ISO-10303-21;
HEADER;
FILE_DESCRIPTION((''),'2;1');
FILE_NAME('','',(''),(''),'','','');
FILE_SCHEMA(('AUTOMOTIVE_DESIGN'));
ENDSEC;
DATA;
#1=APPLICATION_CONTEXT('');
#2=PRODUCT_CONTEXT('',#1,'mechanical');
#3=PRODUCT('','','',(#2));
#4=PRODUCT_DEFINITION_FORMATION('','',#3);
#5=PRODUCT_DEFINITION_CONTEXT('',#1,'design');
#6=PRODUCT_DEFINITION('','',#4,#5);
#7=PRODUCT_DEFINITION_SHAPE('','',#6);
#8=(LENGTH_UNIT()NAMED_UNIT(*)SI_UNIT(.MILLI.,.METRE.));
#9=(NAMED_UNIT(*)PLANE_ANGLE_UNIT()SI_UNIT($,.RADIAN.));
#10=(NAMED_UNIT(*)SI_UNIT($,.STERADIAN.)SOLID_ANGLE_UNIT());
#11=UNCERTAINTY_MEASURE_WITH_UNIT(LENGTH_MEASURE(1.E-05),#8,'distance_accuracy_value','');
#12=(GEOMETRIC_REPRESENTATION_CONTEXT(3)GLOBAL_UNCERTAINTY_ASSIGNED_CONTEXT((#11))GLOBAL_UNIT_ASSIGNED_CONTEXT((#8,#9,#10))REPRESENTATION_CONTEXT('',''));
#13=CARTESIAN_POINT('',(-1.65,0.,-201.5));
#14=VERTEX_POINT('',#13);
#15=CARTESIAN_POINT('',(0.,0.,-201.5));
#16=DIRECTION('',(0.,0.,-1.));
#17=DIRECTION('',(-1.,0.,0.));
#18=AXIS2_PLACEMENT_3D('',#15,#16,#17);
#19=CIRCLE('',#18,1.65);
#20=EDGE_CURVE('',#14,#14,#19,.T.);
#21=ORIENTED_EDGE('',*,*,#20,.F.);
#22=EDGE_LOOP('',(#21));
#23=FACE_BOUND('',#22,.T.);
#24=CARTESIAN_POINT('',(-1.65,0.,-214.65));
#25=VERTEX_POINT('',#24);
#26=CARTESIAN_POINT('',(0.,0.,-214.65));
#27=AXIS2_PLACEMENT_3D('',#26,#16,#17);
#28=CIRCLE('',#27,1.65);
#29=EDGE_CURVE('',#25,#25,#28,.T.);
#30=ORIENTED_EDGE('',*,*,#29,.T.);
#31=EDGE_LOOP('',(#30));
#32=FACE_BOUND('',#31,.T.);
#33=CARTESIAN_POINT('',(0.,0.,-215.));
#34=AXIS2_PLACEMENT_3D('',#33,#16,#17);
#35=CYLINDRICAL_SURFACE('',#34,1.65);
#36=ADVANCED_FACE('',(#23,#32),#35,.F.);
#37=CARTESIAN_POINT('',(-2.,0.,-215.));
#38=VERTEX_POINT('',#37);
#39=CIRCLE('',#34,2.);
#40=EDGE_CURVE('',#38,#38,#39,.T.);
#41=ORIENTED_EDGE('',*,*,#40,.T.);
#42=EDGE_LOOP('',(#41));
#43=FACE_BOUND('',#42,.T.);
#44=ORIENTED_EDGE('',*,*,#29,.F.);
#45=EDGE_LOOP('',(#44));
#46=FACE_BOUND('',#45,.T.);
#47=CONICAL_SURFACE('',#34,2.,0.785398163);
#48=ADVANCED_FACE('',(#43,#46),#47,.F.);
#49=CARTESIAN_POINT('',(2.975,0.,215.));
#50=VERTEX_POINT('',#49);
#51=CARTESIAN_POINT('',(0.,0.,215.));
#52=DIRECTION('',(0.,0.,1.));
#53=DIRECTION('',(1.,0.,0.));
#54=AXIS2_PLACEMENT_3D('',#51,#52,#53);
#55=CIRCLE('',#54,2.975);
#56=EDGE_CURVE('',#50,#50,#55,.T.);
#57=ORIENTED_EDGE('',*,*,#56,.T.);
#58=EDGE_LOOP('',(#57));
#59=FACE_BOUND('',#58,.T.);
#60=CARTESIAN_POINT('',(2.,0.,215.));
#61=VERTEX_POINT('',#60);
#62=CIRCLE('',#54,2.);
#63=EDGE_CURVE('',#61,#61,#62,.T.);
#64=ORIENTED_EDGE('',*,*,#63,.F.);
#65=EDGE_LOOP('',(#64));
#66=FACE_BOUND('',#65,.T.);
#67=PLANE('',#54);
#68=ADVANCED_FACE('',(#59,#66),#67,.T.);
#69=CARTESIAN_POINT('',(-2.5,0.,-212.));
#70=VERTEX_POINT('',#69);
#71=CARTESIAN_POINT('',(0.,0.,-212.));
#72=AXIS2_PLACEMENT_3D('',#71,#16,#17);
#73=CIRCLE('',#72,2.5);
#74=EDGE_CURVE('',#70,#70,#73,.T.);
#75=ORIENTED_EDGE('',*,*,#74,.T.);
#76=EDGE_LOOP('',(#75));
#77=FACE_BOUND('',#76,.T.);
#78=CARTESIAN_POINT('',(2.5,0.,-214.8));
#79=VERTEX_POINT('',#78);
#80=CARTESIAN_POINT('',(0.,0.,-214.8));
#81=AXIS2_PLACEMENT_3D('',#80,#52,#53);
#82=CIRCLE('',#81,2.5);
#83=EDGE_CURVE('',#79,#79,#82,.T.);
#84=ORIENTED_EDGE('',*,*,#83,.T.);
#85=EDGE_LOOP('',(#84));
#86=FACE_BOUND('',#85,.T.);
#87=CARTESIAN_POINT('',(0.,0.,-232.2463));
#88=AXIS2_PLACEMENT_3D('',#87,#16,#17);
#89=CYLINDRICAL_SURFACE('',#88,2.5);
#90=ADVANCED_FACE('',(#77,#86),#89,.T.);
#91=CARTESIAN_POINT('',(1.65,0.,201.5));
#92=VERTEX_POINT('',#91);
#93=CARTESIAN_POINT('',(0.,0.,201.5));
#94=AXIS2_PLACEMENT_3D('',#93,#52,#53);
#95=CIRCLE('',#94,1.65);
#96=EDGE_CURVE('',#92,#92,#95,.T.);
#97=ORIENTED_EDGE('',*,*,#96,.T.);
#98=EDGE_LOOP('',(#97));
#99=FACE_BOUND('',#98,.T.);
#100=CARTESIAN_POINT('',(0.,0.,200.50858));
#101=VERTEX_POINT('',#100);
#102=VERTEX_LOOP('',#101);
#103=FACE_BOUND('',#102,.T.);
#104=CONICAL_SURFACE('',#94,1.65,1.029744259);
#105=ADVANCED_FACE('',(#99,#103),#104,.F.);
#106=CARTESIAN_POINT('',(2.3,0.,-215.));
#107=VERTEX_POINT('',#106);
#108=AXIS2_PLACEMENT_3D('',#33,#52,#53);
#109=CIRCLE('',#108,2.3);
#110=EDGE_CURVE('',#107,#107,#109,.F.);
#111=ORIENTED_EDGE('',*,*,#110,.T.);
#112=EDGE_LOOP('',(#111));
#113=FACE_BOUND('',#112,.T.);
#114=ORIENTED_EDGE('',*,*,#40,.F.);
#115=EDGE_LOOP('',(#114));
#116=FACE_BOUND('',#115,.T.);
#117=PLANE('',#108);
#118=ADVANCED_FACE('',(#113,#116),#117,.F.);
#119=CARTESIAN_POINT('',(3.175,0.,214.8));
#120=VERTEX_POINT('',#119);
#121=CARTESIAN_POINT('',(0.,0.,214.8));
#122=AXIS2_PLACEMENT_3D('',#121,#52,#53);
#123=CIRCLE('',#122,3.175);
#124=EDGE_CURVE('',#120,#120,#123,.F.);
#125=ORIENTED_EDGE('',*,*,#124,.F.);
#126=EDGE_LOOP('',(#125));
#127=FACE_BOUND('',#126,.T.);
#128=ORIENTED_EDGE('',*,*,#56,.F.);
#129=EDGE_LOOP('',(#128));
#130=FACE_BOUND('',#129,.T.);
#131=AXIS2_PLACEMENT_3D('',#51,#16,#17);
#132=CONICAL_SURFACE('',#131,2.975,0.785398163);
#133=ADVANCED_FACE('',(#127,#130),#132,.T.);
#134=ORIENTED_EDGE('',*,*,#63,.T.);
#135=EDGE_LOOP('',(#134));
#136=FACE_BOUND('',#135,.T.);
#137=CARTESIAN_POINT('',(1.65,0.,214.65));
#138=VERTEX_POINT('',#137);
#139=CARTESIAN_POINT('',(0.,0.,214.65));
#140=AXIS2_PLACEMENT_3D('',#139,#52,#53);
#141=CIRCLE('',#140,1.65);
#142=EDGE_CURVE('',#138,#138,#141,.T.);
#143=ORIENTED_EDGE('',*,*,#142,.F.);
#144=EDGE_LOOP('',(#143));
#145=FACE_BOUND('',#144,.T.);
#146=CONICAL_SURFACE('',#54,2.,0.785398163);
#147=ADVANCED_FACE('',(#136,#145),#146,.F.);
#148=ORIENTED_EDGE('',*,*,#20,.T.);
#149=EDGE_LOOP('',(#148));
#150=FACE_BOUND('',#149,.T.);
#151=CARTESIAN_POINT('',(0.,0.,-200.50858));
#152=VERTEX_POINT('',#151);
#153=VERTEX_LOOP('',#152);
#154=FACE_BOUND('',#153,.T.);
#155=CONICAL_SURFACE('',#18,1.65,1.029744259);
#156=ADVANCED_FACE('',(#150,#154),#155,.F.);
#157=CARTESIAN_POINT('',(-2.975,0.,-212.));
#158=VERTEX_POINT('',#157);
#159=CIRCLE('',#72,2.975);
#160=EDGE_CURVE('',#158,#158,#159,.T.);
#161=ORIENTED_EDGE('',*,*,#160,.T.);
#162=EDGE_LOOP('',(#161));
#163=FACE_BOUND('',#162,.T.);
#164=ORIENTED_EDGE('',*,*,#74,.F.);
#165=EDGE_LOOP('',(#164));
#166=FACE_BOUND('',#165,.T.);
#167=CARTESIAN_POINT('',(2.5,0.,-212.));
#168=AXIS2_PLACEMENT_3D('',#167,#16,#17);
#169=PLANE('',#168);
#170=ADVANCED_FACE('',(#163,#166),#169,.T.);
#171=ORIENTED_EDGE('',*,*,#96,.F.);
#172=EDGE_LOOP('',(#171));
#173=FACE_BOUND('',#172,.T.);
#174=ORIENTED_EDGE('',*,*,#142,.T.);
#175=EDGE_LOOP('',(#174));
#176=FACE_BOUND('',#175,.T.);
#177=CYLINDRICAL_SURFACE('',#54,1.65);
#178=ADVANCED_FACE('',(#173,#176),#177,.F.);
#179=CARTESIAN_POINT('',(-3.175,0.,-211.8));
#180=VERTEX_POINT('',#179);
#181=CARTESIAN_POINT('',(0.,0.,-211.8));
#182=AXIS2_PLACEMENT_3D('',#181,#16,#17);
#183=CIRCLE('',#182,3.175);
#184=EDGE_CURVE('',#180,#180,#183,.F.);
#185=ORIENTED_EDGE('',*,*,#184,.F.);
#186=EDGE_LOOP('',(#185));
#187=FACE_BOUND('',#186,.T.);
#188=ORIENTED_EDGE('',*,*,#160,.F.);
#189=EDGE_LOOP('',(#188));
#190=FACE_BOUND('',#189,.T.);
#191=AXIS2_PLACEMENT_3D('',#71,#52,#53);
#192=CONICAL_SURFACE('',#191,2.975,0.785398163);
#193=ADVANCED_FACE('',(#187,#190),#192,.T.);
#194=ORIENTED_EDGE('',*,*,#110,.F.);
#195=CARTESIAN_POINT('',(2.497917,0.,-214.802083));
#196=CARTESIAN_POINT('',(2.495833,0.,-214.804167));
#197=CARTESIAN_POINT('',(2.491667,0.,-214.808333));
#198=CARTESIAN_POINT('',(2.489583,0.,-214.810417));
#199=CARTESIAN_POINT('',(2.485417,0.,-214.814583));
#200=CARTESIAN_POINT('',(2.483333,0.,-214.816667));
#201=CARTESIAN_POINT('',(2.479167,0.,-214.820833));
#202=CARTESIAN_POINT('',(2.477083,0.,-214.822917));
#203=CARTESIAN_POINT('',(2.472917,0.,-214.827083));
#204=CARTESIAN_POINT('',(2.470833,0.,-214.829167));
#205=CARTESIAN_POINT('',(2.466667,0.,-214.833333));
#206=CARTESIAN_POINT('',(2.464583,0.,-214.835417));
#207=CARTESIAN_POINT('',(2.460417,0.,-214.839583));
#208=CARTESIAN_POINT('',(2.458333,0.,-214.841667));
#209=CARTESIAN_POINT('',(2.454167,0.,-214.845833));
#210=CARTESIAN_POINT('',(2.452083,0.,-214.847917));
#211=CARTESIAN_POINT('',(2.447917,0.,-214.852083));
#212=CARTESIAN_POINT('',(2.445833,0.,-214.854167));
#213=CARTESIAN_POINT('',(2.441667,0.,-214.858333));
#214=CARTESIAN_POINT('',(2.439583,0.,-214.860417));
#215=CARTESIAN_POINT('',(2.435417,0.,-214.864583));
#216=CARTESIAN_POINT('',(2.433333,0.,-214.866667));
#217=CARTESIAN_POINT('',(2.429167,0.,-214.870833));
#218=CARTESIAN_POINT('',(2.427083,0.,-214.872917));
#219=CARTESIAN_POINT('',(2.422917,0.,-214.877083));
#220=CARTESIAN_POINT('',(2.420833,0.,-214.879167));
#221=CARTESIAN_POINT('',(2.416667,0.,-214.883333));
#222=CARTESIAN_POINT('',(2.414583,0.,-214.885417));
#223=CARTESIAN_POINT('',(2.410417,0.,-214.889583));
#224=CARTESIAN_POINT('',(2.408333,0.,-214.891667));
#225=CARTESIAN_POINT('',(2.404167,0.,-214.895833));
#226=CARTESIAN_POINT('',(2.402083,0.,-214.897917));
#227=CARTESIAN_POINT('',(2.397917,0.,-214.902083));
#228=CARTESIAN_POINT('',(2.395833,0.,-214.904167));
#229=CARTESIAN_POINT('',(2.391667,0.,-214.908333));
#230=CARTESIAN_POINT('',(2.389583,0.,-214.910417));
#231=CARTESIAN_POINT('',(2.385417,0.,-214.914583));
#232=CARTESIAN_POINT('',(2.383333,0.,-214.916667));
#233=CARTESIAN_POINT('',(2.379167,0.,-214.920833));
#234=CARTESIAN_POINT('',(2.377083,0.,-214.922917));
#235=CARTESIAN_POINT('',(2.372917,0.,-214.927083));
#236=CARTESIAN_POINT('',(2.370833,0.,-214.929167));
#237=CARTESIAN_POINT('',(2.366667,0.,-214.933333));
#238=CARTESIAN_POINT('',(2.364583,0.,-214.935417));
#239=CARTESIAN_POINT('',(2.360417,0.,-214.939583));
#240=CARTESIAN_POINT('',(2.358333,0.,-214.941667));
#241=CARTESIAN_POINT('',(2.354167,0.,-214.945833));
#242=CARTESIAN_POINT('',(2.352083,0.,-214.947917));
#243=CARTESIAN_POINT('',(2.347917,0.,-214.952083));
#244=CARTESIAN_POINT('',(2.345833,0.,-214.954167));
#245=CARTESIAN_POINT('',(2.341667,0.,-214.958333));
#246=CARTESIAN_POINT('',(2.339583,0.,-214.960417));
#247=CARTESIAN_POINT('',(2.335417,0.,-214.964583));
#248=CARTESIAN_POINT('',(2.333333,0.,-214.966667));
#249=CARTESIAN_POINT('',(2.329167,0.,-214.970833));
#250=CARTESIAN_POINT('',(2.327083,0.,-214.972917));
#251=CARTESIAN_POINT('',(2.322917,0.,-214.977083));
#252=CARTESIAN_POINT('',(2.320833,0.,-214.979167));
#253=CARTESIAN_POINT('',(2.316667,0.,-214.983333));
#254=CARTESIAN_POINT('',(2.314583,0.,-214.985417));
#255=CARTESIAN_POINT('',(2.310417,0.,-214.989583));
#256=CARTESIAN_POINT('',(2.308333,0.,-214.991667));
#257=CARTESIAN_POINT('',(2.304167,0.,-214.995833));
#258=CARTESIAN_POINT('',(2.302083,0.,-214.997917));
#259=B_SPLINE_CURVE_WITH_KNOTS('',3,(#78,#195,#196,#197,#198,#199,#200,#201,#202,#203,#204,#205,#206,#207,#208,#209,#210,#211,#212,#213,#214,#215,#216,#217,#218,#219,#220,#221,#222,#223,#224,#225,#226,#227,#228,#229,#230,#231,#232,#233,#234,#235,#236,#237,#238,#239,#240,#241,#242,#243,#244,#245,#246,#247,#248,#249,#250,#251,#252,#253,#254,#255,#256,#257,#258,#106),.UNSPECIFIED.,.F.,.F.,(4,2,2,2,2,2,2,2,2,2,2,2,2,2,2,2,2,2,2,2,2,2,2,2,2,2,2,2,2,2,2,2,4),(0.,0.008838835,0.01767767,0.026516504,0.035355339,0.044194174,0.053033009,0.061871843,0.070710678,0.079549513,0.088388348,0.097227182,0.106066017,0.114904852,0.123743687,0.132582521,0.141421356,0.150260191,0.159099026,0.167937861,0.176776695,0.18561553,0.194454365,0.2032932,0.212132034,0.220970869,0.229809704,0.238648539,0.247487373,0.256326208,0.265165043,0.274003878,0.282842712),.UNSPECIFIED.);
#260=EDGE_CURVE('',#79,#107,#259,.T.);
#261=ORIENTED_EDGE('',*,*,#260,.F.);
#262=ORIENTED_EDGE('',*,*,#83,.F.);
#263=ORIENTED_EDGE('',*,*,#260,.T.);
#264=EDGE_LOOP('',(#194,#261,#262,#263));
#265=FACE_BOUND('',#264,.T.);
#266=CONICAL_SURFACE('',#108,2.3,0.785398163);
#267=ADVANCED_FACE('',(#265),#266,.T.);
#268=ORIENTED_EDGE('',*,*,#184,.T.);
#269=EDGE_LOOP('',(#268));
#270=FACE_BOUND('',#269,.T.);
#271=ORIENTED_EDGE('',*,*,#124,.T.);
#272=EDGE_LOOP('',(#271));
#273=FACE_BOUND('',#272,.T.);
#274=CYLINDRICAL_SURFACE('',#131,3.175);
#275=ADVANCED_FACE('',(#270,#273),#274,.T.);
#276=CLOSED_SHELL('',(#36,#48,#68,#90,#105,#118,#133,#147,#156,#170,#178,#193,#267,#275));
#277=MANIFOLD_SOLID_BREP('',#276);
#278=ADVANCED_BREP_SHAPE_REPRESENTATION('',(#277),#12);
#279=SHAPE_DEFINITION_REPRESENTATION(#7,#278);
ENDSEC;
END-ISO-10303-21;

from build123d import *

# Parameters (mm, degrees)
SKETCH1_R                       = 3.175
BOSS_EXTRUDE1_DEPTH             = 215
M4X0_7_TAPPED_HOLE1_D           = 3.3
M4X0_7_TAPPED_HOLE1_DEPTH       = 13.5
M4X0_7_TAPPED_HOLE1_CSINK_D     = 4
M4X0_7_TAPPED_HOLE1_CSINK_ANGLE = 90
M4X0_7_TAPPED_HOLE1_TIP         = 0.991420021
M4X0_7_TAPPED_HOLE2_D           = 3.3
M4X0_7_TAPPED_HOLE2_DEPTH       = 13.5
M4X0_7_TAPPED_HOLE2_CSINK_D     = 4
M4X0_7_TAPPED_HOLE2_CSINK_ANGLE = 90
M4X0_7_TAPPED_HOLE2_TIP         = 0.991420021
SKETCH7_W                       = 0.675
SKETCH7_H                       = 3
CHAMFER1_SIZE                   = 0.2


with BuildPart() as part:
    # Sketch1 → Boss-Extrude1 (new, symmetric)
    with BuildSketch(Plane.XY):
        Circle(SKETCH1_R)
    extrude(amount=BOSS_EXTRUDE1_DEPTH, both=True)

    # M4x0.7 Tapped Hole1
    with Locations(Plane(origin=(0, 0, -215), x_dir=(-1, 0, 0), z_dir=(0, 0, -1))):
        with Locations((0, 0)):
            CounterSinkHole(M4X0_7_TAPPED_HOLE1_D / 2, M4X0_7_TAPPED_HOLE1_CSINK_D / 2, depth=M4X0_7_TAPPED_HOLE1_DEPTH, counter_sink_angle=M4X0_7_TAPPED_HOLE1_CSINK_ANGLE)
            with Locations((0, 0, -(M4X0_7_TAPPED_HOLE1_DEPTH + M4X0_7_TAPPED_HOLE1_TIP / 2))):  # 118° drill point
                Cone(0, M4X0_7_TAPPED_HOLE1_D / 2, M4X0_7_TAPPED_HOLE1_TIP, mode=Mode.SUBTRACT)

    # M4x0.7 Tapped Hole2
    with Locations(Plane.XY.offset(215)):
        with Locations((0, 0)):
            CounterSinkHole(M4X0_7_TAPPED_HOLE2_D / 2, M4X0_7_TAPPED_HOLE2_CSINK_D / 2, depth=M4X0_7_TAPPED_HOLE2_DEPTH, counter_sink_angle=M4X0_7_TAPPED_HOLE2_CSINK_ANGLE)
            with Locations((0, 0, -(M4X0_7_TAPPED_HOLE2_DEPTH + M4X0_7_TAPPED_HOLE2_TIP / 2))):  # 118° drill point
                Cone(0, M4X0_7_TAPPED_HOLE2_D / 2, M4X0_7_TAPPED_HOLE2_TIP, mode=Mode.SUBTRACT)

    # Sketch7 → Cut-Revolve1 (revolve, cut)
    with BuildSketch(Plane(origin=(0, 0, 0), x_dir=(1, 0, 0), z_dir=(0, 1, 0)), mode=Mode.PRIVATE) as cut_revolve1_sk:
        with Locations((2.8375, 213.5)):
            Rectangle(SKETCH7_W, SKETCH7_H)
    revolve(cut_revolve1_sk.sketch.rotate(Axis((0, 0, -232.2463), (0, 0, 1)), 180), axis=Axis((0, 0, -232.2463), (0, 0, 1)), mode=Mode.SUBTRACT)

    # Chamfer1
    chamfer1_edges = [part.edges().sort_by_distance(p)[0] for p in [
        (2.5, 0, -215),
        (-3.175, 0, -212),
        (-3.175, 0, 215),
    ]]
    chamfer(chamfer1_edges, length=CHAMFER1_SIZE)


solid = part.part
